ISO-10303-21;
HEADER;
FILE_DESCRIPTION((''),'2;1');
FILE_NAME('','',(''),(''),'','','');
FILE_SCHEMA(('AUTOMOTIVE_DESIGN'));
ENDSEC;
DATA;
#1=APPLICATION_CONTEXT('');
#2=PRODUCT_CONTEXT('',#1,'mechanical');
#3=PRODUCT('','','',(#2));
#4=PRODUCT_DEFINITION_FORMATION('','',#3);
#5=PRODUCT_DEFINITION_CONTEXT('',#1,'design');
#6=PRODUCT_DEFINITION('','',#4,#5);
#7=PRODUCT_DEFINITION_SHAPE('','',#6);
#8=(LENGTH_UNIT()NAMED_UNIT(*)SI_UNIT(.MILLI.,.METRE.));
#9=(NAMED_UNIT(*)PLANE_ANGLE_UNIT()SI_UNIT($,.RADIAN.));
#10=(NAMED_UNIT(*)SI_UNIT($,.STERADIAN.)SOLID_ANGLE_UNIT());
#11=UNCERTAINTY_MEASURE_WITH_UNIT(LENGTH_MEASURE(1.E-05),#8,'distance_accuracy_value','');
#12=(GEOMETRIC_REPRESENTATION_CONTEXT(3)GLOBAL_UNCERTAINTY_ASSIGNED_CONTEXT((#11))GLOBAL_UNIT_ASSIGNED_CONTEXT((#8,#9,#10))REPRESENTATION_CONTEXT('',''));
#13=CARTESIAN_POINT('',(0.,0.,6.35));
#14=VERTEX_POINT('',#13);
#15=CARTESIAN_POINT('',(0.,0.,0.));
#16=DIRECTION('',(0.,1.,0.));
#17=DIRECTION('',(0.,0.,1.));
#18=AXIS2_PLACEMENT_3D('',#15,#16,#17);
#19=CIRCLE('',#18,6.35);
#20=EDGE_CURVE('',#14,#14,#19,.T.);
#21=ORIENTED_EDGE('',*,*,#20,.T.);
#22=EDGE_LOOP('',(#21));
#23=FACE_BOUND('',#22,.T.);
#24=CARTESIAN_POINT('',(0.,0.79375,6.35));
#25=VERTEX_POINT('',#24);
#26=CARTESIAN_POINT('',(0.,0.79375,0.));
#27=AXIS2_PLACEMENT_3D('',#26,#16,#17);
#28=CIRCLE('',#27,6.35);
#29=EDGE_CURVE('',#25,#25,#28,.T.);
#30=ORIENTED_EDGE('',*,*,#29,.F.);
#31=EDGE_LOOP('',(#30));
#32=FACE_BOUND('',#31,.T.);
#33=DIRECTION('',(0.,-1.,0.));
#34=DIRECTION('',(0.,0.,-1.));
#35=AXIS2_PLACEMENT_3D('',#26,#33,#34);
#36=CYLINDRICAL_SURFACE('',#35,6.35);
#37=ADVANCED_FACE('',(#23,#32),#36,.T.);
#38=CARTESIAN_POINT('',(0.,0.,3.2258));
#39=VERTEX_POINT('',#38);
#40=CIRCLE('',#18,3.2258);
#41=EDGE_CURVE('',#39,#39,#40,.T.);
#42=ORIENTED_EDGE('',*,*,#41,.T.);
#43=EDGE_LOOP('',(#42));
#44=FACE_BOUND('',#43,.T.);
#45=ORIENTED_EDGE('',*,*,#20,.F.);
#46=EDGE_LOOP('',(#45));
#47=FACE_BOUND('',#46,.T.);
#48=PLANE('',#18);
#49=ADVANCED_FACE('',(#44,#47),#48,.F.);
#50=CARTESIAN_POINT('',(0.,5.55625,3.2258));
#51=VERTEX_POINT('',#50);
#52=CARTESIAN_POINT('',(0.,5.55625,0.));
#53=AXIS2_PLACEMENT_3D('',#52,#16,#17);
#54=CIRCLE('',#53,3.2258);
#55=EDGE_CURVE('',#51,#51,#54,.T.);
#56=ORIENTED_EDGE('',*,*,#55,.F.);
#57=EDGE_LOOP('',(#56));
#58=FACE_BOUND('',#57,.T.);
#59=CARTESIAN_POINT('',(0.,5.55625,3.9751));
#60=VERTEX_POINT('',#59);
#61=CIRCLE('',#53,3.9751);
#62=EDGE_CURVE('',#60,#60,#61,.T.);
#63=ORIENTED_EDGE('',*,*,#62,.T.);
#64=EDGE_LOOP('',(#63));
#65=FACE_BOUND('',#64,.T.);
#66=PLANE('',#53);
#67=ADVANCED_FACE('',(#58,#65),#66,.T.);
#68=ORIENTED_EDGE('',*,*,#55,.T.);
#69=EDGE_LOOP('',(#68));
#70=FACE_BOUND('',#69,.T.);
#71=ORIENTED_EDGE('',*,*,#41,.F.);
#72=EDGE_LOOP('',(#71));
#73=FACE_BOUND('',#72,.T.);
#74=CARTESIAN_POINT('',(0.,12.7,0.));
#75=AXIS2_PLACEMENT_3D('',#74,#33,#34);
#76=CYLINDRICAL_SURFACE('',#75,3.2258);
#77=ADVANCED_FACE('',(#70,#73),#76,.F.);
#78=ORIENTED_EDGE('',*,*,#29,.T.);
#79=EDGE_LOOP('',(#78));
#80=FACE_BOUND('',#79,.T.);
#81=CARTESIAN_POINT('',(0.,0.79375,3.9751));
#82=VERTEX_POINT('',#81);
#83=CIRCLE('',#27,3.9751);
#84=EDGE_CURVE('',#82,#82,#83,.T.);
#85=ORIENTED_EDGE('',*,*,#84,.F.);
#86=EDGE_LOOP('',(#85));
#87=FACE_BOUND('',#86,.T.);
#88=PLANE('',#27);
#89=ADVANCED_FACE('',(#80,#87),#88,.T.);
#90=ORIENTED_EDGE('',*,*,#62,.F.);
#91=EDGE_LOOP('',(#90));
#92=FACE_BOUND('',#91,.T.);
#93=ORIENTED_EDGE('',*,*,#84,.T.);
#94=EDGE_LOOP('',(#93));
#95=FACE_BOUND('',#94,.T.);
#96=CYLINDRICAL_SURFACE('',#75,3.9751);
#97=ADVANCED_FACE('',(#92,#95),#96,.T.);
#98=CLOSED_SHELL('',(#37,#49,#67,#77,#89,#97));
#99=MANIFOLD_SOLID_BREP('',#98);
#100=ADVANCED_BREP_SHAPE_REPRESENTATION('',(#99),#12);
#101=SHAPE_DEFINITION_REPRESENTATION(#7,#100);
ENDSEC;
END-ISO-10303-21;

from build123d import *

# Parameters (mm, degrees)
SKETCH2_R           = 3.9751
SKETCH2_R_2         = 3.2258
BOSS_EXTRUDE1_DEPTH = 12.7
SKETCH3_R           = 6.35
SKETCH3_R_2         = 3.9751
BOSS_EXTRUDE2_DEPTH = 0.79375
CUT_EXTRUDE1_START  = 4.7625
SKETCH4_R           = 6.35
CUT_EXTRUDE1_DEPTH  = 8.14375


with BuildPart() as part:
    # Sketch2 → Boss-Extrude1 (new body)
    with BuildSketch(Plane(origin=(0, 0, 0), x_dir=(1, 0, 0), z_dir=(0, 1, 0))):
        Circle(SKETCH2_R)
        Circle(SKETCH2_R_2, mode=Mode.SUBTRACT)
    extrude(amount=BOSS_EXTRUDE1_DEPTH)

    # Sketch3 → Boss-Extrude2 (add)
    with BuildSketch(Plane(origin=(0, 0, 0), x_dir=(1, 0, 0), z_dir=(0, 1, 0))):
        Circle(SKETCH3_R)
        Circle(SKETCH3_R_2, mode=Mode.SUBTRACT)
    extrude(amount=BOSS_EXTRUDE2_DEPTH)

    # Sketch4 → Cut-Extrude1 (cut, through all)
    with BuildSketch(Plane(origin=(0, 0.79375, 0), x_dir=(1, 0, 0), z_dir=(0, 1, 0)).offset(CUT_EXTRUDE1_START)):
        Circle(SKETCH4_R)
    extrude(amount=CUT_EXTRUDE1_DEPTH, mode=Mode.SUBTRACT)


solid = part.part
